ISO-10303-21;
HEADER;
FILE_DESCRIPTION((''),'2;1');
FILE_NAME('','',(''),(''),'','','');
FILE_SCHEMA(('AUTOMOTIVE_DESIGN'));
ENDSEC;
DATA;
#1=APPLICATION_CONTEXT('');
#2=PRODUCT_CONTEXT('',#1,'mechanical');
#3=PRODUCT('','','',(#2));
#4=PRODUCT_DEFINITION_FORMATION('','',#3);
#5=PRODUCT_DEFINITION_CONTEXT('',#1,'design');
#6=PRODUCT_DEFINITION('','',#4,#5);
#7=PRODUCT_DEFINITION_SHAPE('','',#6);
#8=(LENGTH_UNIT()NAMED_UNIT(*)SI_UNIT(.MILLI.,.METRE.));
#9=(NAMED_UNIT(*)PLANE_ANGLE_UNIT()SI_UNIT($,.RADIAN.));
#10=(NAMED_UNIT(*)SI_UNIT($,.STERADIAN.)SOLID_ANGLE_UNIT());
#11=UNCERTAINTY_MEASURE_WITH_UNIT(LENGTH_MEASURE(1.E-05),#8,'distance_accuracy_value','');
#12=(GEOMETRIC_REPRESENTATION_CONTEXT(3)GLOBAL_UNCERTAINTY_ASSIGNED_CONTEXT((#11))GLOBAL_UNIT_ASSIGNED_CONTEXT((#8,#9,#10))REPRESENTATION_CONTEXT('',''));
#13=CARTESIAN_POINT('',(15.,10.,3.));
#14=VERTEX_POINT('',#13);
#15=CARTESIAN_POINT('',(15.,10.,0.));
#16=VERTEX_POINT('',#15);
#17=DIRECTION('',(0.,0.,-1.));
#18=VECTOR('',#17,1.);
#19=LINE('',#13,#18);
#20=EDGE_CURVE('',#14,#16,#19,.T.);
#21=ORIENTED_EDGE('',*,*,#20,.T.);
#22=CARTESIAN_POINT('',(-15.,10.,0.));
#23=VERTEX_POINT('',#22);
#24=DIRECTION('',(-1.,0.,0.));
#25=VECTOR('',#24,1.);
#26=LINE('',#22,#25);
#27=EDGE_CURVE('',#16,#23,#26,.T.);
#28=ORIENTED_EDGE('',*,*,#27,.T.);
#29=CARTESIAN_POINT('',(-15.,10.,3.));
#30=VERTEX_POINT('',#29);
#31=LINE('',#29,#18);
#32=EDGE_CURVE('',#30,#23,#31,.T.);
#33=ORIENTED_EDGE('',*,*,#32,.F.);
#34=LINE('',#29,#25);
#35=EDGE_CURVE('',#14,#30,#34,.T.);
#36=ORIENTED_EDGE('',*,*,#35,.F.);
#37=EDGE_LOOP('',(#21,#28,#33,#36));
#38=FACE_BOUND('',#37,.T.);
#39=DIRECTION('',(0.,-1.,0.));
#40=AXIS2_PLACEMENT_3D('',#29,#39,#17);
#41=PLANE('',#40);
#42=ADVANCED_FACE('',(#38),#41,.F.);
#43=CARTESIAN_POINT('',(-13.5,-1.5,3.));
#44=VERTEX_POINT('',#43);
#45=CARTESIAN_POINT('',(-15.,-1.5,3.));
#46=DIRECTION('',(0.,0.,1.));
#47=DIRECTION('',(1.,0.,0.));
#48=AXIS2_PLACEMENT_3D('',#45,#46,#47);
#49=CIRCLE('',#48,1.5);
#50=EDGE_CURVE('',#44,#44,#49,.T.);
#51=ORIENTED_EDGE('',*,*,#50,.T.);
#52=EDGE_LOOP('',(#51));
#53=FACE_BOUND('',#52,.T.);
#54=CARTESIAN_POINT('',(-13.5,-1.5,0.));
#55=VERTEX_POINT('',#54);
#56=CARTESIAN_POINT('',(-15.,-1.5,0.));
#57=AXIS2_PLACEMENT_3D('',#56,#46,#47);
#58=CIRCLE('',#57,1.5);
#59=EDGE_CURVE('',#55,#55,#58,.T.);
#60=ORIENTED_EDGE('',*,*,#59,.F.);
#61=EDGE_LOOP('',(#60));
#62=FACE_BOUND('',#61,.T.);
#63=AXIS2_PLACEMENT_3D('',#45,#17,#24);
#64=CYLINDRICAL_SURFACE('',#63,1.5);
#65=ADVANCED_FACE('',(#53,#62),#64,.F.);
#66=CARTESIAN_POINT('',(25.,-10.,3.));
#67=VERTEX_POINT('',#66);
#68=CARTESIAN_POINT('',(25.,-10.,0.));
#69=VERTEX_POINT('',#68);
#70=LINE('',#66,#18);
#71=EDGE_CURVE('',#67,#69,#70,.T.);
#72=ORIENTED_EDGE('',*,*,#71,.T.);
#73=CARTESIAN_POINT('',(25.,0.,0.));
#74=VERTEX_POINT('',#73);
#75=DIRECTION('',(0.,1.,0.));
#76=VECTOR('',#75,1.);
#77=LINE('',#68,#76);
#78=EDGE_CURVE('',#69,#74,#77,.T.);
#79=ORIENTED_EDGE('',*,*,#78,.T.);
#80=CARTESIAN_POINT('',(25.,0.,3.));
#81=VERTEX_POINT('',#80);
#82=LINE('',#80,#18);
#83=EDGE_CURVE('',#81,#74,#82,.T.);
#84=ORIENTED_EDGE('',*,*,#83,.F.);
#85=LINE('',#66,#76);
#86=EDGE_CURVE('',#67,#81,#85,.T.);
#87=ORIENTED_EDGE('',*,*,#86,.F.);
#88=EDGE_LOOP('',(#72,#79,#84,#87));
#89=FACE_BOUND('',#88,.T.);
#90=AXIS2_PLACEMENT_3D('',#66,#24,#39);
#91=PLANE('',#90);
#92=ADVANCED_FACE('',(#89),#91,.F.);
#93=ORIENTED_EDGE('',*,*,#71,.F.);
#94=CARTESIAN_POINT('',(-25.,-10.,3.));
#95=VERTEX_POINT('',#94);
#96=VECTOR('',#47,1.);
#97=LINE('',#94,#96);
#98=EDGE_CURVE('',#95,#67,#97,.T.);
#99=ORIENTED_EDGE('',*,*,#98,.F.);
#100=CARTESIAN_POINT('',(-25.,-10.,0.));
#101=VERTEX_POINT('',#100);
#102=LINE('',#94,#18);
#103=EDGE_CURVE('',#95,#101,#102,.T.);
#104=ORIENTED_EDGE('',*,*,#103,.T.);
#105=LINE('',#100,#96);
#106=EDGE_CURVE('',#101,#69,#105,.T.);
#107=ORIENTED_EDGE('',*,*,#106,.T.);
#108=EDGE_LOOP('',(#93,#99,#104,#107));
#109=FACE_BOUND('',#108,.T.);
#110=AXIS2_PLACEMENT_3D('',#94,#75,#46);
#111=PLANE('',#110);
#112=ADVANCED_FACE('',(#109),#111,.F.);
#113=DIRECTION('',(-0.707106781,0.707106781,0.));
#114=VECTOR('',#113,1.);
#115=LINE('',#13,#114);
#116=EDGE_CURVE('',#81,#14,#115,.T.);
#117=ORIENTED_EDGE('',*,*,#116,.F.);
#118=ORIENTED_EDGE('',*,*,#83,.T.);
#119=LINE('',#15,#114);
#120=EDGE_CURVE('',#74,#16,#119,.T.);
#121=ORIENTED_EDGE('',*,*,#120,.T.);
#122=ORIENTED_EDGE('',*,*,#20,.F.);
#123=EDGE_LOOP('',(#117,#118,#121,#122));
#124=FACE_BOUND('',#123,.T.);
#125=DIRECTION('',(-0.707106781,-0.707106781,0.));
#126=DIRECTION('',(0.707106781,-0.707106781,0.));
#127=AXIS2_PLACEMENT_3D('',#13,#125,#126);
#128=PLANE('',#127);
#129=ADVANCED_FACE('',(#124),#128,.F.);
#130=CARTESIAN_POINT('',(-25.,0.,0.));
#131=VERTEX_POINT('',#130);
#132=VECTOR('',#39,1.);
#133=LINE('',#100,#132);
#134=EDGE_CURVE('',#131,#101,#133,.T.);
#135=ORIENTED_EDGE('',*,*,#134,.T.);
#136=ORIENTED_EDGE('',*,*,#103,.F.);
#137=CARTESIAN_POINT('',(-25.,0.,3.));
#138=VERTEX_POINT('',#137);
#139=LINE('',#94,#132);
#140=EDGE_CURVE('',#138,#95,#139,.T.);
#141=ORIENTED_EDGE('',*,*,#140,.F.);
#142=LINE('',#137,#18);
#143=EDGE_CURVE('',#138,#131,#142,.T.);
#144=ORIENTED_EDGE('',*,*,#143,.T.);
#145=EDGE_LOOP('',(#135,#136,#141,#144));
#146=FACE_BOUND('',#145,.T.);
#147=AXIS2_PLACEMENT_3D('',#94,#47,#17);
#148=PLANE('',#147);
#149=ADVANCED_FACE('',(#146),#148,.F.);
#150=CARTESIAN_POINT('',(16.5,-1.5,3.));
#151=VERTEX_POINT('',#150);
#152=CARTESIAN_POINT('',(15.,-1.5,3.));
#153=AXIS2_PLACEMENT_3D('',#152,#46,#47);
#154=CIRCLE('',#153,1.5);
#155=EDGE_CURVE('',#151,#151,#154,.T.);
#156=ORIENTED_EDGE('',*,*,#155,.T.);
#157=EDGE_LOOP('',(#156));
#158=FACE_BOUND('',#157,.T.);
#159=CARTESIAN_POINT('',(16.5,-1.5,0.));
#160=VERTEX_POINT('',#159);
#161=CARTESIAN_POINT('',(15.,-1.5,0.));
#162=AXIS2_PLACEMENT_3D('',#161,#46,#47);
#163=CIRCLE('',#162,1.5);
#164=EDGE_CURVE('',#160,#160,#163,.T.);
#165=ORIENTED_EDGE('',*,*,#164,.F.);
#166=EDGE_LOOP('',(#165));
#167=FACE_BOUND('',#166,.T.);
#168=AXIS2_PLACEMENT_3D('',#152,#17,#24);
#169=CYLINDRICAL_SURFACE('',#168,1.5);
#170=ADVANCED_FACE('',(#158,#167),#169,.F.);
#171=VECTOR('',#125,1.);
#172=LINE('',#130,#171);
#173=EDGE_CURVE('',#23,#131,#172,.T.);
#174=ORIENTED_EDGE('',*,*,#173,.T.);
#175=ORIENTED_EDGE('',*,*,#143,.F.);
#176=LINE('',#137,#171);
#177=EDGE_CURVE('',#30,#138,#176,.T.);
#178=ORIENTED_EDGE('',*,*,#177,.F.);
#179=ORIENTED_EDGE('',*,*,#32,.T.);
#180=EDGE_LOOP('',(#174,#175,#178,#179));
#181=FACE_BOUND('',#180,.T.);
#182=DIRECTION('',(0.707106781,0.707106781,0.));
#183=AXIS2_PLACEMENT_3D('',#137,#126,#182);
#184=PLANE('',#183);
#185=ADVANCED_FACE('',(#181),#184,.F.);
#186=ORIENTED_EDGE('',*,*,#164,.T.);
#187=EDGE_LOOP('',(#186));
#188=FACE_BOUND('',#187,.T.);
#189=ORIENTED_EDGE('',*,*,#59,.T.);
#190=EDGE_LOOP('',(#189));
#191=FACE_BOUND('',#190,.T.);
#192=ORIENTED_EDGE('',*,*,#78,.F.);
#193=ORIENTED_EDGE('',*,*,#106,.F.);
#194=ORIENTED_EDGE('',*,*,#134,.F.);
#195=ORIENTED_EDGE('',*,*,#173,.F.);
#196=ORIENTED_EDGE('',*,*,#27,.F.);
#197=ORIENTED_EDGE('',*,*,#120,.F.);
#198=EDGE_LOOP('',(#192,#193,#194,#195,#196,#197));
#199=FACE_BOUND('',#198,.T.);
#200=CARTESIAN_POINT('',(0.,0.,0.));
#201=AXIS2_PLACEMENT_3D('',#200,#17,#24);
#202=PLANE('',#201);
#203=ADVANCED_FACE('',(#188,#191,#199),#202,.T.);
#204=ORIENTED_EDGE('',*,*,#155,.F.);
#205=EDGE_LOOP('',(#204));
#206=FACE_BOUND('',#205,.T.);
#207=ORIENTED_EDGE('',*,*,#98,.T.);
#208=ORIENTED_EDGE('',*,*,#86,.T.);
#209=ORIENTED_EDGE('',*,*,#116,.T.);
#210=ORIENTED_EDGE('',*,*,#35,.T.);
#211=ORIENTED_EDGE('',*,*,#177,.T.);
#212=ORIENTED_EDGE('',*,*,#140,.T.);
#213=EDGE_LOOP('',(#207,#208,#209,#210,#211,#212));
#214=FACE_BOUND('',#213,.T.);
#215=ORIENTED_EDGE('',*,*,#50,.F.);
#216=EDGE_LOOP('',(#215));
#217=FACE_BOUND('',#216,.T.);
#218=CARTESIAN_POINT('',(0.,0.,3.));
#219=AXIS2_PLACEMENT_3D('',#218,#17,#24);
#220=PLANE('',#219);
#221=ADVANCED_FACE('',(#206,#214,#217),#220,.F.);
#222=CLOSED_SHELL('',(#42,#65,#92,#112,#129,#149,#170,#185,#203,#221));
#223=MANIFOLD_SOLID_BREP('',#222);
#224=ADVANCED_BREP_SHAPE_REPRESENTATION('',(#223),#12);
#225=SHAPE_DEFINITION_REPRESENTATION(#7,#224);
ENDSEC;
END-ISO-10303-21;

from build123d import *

# Parameters (mm, degrees)
CROQUIS1_R              = 1.5
SALIENTE_EXTRUIR1_DEPTH = 3


with BuildPart() as part:
    # Croquis1 → Saliente-Extruir1 (new body)
    with BuildSketch(Plane.XY):
        Polygon((-25, 0), (-15, 10), (15, 10), (25, 0), (25, -10), (-25, -10), align=None)
        with Locations((-15, -1.5)):
            Circle(CROQUIS1_R, mode=Mode.SUBTRACT)
        with Locations((15, -1.5)):
            Circle(CROQUIS1_R, mode=Mode.SUBTRACT)
    extrude(amount=SALIENTE_EXTRUIR1_DEPTH)


solid = part.part
